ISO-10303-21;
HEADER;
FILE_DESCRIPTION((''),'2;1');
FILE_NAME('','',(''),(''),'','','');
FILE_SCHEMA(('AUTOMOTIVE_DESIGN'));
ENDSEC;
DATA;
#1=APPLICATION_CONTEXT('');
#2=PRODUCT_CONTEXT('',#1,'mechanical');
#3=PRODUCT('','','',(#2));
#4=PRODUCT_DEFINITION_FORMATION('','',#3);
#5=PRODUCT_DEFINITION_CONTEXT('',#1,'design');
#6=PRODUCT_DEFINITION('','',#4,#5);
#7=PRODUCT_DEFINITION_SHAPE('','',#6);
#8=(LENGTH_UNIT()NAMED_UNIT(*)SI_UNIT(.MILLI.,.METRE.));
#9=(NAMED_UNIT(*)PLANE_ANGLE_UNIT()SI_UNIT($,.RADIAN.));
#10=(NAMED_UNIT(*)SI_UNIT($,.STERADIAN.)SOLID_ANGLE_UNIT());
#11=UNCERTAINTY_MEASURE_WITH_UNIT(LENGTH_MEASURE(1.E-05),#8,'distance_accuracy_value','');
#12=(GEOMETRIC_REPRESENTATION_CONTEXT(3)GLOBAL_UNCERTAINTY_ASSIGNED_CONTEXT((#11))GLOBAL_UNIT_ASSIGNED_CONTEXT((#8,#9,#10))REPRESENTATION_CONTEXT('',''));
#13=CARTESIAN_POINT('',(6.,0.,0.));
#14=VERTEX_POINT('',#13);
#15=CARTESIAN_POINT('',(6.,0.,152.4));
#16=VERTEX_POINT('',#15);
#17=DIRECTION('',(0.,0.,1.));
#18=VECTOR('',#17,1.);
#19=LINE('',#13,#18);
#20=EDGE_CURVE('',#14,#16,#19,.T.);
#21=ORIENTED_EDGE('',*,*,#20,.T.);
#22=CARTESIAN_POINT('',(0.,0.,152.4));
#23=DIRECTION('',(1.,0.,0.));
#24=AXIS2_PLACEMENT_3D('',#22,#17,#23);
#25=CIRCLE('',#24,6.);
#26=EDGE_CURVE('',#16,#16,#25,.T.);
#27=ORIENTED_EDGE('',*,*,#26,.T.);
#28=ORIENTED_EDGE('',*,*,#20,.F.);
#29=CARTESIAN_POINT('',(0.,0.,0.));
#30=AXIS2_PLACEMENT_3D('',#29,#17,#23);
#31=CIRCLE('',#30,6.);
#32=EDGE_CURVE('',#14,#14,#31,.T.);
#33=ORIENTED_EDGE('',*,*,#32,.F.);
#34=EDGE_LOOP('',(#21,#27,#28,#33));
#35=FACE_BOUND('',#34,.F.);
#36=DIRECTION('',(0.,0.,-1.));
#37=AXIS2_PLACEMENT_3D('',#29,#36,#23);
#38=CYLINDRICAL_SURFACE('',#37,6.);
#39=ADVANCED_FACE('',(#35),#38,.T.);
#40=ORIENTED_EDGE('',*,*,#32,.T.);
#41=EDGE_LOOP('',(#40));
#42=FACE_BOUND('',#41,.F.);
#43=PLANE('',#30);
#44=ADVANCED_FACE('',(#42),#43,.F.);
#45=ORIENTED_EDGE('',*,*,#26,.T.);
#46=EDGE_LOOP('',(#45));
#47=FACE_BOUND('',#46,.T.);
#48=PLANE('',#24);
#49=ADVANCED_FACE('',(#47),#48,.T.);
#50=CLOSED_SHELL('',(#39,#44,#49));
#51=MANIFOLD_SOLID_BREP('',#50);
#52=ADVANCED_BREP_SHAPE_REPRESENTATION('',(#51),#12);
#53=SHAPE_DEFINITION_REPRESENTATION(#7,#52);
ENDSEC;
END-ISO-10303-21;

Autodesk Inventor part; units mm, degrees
ref_plane "YZ Plane" through (0, 0, 0) normal (1, 0, 0) x (0, 1, 0)
ref_plane "Start plane" through (0, 0, 0) normal (0, 0, 1) x (1, 0, 0)
ref_plane "End plane" through (0, 0, 152.4) normal (0, 0, 1) x (1, 0, 0)
sketch "Sketch" plane through (0, 0, 0) normal (0, 0, 1) x (1, 0, 0)
  circle A0 centre (0, 0) radius 6
  dimension "d0" = 12
extrude "Body" add sketch "Sketch" along normal up to surface (152.4 mm away) from surface at 0
sketch "Sketch3" plane through (0, 0, 0) normal (0, 0, 1) x (1, 0, 0)
  line L0 (0, 0) -> (10, 0)
ref_plane "Work Plane3" through (0, 0, 0) normal (0, -1, 0) x (1, 0, 0)
sketch "Sketch4" plane through (0, 0, 0) normal (0, -1, 0) x (1, 0, 0)
  line L0 (-2, 0) -> (12, 0)
  line L1 (-2, 152.4) -> (12, 152.4)
  dimension "d8" = 152.4
equation "\"d0\" = G_H"
equation "\"d1\" = G_L"
equation "\"G_H\" = 12"
equation "\"G_L\" = d8"
equation "\"G_OFFSET_START\" = 0"
equation "\"G_OFFSET_END\" = 0"
equation "\"d5\" = G_OFFSET_END + B_L"
equation "\"B_L\" = 152.4"
equation "\"G_D\" = 12"
properties part number "BS EN 10060 - 12 - 152.4" material "Steel, Mild"
